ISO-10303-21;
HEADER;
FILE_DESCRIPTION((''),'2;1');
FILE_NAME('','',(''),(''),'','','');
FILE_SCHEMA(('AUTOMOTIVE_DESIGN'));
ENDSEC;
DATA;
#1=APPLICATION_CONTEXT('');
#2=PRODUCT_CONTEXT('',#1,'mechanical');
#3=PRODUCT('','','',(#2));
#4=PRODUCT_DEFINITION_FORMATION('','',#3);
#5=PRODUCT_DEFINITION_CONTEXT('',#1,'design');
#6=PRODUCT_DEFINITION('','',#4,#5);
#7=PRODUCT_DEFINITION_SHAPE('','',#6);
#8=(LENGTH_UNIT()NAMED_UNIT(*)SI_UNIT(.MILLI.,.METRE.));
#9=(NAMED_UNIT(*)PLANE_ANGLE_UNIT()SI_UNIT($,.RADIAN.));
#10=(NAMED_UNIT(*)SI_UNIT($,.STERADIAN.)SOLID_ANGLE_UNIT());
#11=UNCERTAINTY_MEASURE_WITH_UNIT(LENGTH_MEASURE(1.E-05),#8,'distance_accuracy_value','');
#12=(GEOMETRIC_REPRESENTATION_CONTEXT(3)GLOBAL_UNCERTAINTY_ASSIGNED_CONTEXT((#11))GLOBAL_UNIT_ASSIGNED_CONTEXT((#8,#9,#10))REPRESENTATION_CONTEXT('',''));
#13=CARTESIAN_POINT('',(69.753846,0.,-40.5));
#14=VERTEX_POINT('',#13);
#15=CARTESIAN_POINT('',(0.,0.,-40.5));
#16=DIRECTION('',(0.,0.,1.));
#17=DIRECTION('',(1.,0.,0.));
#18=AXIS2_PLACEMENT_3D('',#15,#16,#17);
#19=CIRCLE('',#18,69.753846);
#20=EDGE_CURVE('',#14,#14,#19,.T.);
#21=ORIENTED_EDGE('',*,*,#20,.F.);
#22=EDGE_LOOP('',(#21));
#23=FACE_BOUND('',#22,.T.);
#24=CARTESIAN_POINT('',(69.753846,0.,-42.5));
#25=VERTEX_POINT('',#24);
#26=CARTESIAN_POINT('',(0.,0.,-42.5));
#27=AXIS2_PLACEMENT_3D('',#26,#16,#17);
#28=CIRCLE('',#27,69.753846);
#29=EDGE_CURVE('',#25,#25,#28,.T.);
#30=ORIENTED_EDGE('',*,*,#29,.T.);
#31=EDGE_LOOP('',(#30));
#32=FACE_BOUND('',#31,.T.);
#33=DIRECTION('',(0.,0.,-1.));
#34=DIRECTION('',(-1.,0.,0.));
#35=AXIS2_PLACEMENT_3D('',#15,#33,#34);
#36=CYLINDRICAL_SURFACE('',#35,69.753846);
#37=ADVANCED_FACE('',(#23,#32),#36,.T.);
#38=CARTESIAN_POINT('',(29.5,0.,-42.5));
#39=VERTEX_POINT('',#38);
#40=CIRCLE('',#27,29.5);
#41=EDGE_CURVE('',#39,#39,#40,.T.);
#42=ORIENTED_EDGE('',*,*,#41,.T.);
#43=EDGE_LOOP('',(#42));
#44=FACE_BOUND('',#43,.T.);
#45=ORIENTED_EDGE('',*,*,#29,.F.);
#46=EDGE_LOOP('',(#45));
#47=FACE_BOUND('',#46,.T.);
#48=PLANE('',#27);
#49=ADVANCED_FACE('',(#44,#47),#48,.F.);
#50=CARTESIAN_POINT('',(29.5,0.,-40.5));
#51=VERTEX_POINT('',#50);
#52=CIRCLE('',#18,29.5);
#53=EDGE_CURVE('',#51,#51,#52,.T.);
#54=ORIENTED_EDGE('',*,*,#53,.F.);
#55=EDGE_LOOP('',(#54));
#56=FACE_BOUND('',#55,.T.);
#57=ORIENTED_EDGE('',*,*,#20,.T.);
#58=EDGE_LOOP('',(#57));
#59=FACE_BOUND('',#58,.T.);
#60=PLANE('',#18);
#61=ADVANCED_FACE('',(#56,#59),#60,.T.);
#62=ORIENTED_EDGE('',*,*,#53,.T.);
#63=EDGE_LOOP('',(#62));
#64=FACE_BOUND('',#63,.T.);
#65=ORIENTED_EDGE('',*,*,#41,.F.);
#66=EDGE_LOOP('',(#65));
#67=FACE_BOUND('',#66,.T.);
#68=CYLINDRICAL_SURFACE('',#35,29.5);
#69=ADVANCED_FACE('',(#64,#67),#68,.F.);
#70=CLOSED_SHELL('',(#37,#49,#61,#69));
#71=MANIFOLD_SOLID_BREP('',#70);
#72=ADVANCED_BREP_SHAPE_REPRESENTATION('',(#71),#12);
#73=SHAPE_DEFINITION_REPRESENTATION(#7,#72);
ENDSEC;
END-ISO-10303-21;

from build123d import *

# Parameters (mm, degrees)
PRINTED_GUARD_START = -42.5
SKETCH_1_R          = 69.753846154
SKETCH_1_R_2        = 29.5
PRINTED_GUARD_DEPTH = 2


with BuildPart() as part:
    # Эскиз1 → Printed_guard (new body)
    with BuildSketch(Plane.XY.offset(PRINTED_GUARD_START)):
        Circle(SKETCH_1_R)
        Circle(SKETCH_1_R_2, mode=Mode.SUBTRACT)
    extrude(amount=PRINTED_GUARD_DEPTH)


solid = part.part
